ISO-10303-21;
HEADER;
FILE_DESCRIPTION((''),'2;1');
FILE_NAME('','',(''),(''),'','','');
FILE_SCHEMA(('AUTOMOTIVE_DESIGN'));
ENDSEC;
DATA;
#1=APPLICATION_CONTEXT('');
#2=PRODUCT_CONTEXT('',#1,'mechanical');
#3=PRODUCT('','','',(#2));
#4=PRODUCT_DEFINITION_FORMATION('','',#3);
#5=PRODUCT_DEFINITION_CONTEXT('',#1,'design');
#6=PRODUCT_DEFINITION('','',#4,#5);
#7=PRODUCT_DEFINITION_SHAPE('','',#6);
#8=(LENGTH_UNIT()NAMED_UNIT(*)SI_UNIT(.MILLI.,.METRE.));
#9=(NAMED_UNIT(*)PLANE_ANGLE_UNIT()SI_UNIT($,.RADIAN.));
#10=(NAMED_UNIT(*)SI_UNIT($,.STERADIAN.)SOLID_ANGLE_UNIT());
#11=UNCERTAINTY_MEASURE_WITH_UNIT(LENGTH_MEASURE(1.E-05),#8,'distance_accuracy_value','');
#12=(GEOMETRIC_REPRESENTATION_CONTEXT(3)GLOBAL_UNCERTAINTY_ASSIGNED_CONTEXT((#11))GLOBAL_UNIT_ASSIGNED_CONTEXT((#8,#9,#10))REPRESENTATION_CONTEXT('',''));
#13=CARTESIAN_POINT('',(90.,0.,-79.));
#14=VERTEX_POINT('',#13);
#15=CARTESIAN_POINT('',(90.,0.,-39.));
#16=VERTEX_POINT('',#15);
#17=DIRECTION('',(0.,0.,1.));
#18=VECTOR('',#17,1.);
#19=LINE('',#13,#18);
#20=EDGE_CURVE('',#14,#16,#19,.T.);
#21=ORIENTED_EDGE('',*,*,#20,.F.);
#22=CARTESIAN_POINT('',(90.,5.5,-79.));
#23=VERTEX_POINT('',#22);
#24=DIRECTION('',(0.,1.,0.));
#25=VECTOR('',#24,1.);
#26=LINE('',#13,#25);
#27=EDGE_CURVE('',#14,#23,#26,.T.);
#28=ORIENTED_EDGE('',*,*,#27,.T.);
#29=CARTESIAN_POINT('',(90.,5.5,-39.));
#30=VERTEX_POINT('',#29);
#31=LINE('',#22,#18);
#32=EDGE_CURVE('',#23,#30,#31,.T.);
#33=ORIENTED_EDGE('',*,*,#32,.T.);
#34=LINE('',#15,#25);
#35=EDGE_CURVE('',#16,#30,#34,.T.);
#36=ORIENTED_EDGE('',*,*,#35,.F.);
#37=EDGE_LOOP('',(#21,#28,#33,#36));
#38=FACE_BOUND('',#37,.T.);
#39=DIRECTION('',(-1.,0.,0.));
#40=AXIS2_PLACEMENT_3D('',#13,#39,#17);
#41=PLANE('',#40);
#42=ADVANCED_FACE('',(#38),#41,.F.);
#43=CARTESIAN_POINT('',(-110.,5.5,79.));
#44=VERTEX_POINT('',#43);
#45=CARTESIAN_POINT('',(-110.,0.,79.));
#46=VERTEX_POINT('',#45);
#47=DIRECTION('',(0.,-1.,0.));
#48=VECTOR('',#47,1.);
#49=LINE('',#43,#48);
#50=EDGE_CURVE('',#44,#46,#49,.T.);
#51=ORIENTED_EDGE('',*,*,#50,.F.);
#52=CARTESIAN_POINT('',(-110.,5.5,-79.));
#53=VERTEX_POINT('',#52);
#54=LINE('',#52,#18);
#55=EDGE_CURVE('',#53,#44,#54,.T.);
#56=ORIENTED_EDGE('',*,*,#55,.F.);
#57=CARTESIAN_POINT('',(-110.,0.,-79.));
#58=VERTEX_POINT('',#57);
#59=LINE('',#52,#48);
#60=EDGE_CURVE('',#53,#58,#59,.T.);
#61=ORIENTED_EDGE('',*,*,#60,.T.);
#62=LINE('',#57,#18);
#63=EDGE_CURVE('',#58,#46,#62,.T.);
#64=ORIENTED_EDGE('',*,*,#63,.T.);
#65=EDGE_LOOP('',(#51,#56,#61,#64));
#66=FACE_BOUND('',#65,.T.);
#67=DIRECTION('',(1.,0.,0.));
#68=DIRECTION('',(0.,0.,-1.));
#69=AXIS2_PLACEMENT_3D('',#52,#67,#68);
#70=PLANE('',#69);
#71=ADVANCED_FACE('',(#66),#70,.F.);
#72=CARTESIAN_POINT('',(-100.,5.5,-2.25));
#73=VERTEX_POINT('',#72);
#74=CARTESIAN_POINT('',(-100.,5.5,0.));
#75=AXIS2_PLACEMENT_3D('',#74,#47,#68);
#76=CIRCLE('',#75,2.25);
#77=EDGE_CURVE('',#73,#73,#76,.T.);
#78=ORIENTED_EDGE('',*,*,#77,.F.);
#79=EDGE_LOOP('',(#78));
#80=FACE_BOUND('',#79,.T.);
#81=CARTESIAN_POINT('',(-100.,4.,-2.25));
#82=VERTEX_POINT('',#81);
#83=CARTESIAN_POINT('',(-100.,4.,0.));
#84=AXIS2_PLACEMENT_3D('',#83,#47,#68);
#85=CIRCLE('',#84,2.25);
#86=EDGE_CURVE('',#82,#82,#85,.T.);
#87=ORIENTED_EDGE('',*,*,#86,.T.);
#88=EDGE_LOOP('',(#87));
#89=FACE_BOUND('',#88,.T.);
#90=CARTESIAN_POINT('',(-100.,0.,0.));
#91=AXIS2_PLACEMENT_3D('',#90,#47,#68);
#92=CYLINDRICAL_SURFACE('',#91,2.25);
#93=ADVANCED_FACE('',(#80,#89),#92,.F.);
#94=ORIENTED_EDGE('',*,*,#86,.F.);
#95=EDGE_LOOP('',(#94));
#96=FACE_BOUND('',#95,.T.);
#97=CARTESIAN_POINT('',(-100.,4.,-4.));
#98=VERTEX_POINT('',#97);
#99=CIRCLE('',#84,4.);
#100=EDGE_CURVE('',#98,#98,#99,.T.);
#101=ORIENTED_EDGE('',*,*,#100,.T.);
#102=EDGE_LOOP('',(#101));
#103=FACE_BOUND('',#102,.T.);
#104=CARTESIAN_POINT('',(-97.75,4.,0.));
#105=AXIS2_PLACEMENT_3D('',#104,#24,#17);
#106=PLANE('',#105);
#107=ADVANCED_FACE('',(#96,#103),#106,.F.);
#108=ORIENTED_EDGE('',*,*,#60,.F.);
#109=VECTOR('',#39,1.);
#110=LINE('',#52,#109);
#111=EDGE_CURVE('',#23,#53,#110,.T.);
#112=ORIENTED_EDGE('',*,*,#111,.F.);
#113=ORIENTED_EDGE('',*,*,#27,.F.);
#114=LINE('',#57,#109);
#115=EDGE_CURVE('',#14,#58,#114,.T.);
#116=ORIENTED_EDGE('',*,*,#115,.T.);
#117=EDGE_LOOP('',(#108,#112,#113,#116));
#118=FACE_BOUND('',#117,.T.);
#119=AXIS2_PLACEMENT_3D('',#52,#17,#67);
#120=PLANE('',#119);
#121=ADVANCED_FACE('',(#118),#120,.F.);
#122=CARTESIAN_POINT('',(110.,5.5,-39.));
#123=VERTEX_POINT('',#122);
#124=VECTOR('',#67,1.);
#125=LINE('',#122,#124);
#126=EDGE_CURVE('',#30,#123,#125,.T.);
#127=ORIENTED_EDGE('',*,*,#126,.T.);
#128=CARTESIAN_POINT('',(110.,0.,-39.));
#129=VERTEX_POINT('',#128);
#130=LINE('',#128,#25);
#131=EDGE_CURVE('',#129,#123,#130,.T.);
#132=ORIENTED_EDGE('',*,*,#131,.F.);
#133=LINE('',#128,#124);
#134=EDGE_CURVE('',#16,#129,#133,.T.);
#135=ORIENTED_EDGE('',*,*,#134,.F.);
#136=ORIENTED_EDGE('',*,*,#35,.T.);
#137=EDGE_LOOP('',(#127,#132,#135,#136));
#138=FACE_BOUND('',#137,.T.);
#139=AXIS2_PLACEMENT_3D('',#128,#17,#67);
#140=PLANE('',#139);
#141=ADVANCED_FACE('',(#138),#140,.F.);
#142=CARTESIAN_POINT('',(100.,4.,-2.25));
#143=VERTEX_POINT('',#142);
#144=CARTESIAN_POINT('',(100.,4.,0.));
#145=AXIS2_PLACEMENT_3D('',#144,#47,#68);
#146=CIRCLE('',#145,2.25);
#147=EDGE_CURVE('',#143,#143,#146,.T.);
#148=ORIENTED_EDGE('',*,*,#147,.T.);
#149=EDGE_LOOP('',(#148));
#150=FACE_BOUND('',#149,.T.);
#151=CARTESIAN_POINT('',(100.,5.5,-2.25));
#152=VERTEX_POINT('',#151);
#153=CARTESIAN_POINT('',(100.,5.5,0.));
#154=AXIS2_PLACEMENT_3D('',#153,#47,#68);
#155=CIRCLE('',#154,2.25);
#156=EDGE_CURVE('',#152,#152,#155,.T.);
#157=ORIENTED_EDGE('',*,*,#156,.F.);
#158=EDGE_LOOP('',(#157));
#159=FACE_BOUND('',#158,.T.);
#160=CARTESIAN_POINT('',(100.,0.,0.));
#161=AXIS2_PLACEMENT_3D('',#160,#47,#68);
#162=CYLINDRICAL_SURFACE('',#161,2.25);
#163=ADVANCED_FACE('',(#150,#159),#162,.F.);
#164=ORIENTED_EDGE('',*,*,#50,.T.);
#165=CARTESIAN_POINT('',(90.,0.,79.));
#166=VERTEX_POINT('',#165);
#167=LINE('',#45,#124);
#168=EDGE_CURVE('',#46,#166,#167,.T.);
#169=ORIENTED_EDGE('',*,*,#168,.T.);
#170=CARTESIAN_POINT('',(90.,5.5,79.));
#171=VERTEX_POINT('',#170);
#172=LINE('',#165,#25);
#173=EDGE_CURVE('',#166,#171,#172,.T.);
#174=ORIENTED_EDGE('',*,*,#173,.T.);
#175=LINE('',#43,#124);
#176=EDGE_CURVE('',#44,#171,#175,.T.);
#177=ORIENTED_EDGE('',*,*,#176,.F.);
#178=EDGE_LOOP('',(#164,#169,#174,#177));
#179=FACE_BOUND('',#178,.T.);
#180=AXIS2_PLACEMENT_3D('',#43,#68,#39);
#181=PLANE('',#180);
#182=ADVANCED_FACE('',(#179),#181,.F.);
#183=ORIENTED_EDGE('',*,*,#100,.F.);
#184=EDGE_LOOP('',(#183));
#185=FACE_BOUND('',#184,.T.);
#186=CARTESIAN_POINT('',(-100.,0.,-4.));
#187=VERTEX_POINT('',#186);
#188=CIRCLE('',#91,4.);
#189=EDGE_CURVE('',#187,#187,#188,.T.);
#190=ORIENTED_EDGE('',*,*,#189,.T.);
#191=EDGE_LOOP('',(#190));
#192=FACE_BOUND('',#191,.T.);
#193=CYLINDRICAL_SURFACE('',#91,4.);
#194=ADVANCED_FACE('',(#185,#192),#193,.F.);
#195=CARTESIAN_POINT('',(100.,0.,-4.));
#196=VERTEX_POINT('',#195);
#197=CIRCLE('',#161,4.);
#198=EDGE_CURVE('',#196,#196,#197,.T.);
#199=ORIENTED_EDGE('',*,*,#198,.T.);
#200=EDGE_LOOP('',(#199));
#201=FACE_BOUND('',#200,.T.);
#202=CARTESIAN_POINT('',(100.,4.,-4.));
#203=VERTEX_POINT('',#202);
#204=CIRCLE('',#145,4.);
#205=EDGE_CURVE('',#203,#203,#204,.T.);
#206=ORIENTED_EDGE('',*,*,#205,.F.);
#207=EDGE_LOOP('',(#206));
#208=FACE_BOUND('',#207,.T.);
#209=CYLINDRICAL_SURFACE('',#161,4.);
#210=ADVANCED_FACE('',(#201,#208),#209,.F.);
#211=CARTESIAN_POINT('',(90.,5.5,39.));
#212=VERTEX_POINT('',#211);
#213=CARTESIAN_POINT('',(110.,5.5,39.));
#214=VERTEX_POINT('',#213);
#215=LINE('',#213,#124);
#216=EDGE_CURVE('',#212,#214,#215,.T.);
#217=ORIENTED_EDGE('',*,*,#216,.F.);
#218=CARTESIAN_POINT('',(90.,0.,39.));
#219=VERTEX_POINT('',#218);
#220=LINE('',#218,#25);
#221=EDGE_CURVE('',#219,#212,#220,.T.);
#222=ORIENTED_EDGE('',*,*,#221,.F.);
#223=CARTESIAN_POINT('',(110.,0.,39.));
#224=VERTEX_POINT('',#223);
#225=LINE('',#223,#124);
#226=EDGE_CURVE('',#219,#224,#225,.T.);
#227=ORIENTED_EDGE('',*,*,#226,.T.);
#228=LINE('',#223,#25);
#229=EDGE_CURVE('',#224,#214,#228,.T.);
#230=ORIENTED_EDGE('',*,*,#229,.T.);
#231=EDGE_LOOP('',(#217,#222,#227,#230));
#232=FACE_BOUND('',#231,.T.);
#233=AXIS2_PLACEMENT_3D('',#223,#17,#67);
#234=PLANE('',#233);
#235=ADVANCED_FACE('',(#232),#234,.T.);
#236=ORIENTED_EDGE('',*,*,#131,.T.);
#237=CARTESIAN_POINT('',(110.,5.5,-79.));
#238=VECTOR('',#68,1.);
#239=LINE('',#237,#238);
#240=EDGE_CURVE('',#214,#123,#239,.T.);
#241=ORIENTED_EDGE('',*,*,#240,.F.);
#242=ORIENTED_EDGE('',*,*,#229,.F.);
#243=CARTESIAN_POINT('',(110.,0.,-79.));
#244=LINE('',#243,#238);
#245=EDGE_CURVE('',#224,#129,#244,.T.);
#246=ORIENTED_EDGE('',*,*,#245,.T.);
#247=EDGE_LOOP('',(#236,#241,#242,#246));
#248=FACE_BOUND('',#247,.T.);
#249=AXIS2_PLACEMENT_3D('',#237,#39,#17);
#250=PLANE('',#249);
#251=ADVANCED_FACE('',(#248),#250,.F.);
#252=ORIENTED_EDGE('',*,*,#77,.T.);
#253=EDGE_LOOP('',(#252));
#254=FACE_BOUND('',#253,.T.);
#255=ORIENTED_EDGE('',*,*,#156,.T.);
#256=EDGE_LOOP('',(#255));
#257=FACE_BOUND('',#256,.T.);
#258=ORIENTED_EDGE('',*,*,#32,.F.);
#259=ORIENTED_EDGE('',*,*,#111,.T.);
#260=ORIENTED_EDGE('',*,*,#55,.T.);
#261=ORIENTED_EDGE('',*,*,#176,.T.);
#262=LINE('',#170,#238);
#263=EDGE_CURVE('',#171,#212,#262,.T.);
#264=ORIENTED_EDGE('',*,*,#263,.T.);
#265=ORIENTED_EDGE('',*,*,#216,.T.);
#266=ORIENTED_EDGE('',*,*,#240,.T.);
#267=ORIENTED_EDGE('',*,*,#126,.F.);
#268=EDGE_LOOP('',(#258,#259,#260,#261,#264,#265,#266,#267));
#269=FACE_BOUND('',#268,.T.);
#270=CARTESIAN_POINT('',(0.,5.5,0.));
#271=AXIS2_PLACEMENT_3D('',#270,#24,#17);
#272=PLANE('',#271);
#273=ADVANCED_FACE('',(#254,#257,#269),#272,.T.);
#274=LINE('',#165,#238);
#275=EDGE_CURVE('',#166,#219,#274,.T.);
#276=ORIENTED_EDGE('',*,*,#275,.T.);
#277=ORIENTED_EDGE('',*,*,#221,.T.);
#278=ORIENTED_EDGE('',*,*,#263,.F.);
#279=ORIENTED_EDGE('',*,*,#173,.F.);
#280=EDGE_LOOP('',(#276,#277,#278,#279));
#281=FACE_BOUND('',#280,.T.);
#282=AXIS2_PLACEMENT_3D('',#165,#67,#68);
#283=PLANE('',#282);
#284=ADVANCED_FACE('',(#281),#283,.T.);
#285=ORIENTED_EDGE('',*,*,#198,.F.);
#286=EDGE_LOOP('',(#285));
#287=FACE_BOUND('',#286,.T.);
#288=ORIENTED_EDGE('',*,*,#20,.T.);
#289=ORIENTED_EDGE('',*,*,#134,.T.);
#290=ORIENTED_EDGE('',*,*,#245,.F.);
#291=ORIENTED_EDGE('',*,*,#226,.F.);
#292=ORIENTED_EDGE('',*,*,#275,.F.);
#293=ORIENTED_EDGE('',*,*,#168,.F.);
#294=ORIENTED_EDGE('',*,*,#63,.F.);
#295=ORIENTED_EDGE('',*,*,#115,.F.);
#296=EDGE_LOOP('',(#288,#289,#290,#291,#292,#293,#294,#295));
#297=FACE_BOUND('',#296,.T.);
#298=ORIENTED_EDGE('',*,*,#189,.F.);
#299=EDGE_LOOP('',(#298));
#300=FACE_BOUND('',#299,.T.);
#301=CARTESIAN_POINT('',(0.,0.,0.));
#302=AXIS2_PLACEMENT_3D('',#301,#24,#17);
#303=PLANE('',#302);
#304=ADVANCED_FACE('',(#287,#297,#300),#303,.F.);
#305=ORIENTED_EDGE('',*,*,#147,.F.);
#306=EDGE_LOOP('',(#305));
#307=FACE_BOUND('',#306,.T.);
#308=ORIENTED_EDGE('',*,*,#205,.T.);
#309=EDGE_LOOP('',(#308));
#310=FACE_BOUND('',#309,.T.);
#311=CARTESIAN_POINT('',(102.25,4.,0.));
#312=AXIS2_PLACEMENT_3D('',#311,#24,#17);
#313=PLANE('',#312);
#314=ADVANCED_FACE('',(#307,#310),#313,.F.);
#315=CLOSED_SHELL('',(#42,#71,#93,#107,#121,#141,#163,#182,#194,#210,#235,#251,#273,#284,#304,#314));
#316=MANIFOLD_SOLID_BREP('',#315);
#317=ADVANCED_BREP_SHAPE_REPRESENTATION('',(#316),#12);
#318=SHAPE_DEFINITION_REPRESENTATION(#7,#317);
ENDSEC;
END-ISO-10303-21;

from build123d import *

# Parameters (mm, degrees)
SKETCH1_W                      = 220
SKETCH1_H                      = 158
BOSS_EXTRUDE1_DEPTH            = 5.5
CBORE_FOR_M4_SHCS1_D           = 4.5
CBORE_FOR_M4_SHCS1_CBORE_D     = 8
CBORE_FOR_M4_SHCS1_CBORE_DEPTH = 4
SKETCH6_W                      = 20
SKETCH6_H                      = 40
CUT_EXTRUDE2_DEPTH             = 6.5


with BuildPart() as part:
    # Sketch1 → Boss-Extrude1 (new body)
    with BuildSketch(Plane(origin=(0, 0, 0), x_dir=(1, 0, 0), z_dir=(0, 1, 0))):
        Rectangle(SKETCH1_W, SKETCH1_H)
    extrude(amount=BOSS_EXTRUDE1_DEPTH)

    # CBORE for M4 SHCS1 (through all)
    with Locations(Plane.XZ):
        with Locations((100, 0)):
            cbore_for_m4_shcs1 = CounterBoreHole(CBORE_FOR_M4_SHCS1_D / 2, CBORE_FOR_M4_SHCS1_CBORE_D / 2, CBORE_FOR_M4_SHCS1_CBORE_DEPTH)

    # Mirror2: CBORE for M4 SHCS1 across plane
    add(cbore_for_m4_shcs1.mirror(Plane(origin=(0, 0, 0), x_dir=(0, 0, 1), z_dir=(1, 0, 0))), mode=Mode.SUBTRACT)

    # Sketch6 → Cut-Extrude2 (cut, through all)
    with BuildSketch(Plane(origin=(0, 5.5, 0), x_dir=(1, 0, 0), z_dir=(0, 1, 0))):
        with Locations((100, 59)):
            Rectangle(SKETCH6_W, SKETCH6_H)
    cut_extrude2 = extrude(amount=-CUT_EXTRUDE2_DEPTH, mode=Mode.SUBTRACT)

    # Mirror3: Cut-Extrude2 across plane
    add(cut_extrude2.mirror(Plane.XY), mode=Mode.SUBTRACT)


solid = part.part
